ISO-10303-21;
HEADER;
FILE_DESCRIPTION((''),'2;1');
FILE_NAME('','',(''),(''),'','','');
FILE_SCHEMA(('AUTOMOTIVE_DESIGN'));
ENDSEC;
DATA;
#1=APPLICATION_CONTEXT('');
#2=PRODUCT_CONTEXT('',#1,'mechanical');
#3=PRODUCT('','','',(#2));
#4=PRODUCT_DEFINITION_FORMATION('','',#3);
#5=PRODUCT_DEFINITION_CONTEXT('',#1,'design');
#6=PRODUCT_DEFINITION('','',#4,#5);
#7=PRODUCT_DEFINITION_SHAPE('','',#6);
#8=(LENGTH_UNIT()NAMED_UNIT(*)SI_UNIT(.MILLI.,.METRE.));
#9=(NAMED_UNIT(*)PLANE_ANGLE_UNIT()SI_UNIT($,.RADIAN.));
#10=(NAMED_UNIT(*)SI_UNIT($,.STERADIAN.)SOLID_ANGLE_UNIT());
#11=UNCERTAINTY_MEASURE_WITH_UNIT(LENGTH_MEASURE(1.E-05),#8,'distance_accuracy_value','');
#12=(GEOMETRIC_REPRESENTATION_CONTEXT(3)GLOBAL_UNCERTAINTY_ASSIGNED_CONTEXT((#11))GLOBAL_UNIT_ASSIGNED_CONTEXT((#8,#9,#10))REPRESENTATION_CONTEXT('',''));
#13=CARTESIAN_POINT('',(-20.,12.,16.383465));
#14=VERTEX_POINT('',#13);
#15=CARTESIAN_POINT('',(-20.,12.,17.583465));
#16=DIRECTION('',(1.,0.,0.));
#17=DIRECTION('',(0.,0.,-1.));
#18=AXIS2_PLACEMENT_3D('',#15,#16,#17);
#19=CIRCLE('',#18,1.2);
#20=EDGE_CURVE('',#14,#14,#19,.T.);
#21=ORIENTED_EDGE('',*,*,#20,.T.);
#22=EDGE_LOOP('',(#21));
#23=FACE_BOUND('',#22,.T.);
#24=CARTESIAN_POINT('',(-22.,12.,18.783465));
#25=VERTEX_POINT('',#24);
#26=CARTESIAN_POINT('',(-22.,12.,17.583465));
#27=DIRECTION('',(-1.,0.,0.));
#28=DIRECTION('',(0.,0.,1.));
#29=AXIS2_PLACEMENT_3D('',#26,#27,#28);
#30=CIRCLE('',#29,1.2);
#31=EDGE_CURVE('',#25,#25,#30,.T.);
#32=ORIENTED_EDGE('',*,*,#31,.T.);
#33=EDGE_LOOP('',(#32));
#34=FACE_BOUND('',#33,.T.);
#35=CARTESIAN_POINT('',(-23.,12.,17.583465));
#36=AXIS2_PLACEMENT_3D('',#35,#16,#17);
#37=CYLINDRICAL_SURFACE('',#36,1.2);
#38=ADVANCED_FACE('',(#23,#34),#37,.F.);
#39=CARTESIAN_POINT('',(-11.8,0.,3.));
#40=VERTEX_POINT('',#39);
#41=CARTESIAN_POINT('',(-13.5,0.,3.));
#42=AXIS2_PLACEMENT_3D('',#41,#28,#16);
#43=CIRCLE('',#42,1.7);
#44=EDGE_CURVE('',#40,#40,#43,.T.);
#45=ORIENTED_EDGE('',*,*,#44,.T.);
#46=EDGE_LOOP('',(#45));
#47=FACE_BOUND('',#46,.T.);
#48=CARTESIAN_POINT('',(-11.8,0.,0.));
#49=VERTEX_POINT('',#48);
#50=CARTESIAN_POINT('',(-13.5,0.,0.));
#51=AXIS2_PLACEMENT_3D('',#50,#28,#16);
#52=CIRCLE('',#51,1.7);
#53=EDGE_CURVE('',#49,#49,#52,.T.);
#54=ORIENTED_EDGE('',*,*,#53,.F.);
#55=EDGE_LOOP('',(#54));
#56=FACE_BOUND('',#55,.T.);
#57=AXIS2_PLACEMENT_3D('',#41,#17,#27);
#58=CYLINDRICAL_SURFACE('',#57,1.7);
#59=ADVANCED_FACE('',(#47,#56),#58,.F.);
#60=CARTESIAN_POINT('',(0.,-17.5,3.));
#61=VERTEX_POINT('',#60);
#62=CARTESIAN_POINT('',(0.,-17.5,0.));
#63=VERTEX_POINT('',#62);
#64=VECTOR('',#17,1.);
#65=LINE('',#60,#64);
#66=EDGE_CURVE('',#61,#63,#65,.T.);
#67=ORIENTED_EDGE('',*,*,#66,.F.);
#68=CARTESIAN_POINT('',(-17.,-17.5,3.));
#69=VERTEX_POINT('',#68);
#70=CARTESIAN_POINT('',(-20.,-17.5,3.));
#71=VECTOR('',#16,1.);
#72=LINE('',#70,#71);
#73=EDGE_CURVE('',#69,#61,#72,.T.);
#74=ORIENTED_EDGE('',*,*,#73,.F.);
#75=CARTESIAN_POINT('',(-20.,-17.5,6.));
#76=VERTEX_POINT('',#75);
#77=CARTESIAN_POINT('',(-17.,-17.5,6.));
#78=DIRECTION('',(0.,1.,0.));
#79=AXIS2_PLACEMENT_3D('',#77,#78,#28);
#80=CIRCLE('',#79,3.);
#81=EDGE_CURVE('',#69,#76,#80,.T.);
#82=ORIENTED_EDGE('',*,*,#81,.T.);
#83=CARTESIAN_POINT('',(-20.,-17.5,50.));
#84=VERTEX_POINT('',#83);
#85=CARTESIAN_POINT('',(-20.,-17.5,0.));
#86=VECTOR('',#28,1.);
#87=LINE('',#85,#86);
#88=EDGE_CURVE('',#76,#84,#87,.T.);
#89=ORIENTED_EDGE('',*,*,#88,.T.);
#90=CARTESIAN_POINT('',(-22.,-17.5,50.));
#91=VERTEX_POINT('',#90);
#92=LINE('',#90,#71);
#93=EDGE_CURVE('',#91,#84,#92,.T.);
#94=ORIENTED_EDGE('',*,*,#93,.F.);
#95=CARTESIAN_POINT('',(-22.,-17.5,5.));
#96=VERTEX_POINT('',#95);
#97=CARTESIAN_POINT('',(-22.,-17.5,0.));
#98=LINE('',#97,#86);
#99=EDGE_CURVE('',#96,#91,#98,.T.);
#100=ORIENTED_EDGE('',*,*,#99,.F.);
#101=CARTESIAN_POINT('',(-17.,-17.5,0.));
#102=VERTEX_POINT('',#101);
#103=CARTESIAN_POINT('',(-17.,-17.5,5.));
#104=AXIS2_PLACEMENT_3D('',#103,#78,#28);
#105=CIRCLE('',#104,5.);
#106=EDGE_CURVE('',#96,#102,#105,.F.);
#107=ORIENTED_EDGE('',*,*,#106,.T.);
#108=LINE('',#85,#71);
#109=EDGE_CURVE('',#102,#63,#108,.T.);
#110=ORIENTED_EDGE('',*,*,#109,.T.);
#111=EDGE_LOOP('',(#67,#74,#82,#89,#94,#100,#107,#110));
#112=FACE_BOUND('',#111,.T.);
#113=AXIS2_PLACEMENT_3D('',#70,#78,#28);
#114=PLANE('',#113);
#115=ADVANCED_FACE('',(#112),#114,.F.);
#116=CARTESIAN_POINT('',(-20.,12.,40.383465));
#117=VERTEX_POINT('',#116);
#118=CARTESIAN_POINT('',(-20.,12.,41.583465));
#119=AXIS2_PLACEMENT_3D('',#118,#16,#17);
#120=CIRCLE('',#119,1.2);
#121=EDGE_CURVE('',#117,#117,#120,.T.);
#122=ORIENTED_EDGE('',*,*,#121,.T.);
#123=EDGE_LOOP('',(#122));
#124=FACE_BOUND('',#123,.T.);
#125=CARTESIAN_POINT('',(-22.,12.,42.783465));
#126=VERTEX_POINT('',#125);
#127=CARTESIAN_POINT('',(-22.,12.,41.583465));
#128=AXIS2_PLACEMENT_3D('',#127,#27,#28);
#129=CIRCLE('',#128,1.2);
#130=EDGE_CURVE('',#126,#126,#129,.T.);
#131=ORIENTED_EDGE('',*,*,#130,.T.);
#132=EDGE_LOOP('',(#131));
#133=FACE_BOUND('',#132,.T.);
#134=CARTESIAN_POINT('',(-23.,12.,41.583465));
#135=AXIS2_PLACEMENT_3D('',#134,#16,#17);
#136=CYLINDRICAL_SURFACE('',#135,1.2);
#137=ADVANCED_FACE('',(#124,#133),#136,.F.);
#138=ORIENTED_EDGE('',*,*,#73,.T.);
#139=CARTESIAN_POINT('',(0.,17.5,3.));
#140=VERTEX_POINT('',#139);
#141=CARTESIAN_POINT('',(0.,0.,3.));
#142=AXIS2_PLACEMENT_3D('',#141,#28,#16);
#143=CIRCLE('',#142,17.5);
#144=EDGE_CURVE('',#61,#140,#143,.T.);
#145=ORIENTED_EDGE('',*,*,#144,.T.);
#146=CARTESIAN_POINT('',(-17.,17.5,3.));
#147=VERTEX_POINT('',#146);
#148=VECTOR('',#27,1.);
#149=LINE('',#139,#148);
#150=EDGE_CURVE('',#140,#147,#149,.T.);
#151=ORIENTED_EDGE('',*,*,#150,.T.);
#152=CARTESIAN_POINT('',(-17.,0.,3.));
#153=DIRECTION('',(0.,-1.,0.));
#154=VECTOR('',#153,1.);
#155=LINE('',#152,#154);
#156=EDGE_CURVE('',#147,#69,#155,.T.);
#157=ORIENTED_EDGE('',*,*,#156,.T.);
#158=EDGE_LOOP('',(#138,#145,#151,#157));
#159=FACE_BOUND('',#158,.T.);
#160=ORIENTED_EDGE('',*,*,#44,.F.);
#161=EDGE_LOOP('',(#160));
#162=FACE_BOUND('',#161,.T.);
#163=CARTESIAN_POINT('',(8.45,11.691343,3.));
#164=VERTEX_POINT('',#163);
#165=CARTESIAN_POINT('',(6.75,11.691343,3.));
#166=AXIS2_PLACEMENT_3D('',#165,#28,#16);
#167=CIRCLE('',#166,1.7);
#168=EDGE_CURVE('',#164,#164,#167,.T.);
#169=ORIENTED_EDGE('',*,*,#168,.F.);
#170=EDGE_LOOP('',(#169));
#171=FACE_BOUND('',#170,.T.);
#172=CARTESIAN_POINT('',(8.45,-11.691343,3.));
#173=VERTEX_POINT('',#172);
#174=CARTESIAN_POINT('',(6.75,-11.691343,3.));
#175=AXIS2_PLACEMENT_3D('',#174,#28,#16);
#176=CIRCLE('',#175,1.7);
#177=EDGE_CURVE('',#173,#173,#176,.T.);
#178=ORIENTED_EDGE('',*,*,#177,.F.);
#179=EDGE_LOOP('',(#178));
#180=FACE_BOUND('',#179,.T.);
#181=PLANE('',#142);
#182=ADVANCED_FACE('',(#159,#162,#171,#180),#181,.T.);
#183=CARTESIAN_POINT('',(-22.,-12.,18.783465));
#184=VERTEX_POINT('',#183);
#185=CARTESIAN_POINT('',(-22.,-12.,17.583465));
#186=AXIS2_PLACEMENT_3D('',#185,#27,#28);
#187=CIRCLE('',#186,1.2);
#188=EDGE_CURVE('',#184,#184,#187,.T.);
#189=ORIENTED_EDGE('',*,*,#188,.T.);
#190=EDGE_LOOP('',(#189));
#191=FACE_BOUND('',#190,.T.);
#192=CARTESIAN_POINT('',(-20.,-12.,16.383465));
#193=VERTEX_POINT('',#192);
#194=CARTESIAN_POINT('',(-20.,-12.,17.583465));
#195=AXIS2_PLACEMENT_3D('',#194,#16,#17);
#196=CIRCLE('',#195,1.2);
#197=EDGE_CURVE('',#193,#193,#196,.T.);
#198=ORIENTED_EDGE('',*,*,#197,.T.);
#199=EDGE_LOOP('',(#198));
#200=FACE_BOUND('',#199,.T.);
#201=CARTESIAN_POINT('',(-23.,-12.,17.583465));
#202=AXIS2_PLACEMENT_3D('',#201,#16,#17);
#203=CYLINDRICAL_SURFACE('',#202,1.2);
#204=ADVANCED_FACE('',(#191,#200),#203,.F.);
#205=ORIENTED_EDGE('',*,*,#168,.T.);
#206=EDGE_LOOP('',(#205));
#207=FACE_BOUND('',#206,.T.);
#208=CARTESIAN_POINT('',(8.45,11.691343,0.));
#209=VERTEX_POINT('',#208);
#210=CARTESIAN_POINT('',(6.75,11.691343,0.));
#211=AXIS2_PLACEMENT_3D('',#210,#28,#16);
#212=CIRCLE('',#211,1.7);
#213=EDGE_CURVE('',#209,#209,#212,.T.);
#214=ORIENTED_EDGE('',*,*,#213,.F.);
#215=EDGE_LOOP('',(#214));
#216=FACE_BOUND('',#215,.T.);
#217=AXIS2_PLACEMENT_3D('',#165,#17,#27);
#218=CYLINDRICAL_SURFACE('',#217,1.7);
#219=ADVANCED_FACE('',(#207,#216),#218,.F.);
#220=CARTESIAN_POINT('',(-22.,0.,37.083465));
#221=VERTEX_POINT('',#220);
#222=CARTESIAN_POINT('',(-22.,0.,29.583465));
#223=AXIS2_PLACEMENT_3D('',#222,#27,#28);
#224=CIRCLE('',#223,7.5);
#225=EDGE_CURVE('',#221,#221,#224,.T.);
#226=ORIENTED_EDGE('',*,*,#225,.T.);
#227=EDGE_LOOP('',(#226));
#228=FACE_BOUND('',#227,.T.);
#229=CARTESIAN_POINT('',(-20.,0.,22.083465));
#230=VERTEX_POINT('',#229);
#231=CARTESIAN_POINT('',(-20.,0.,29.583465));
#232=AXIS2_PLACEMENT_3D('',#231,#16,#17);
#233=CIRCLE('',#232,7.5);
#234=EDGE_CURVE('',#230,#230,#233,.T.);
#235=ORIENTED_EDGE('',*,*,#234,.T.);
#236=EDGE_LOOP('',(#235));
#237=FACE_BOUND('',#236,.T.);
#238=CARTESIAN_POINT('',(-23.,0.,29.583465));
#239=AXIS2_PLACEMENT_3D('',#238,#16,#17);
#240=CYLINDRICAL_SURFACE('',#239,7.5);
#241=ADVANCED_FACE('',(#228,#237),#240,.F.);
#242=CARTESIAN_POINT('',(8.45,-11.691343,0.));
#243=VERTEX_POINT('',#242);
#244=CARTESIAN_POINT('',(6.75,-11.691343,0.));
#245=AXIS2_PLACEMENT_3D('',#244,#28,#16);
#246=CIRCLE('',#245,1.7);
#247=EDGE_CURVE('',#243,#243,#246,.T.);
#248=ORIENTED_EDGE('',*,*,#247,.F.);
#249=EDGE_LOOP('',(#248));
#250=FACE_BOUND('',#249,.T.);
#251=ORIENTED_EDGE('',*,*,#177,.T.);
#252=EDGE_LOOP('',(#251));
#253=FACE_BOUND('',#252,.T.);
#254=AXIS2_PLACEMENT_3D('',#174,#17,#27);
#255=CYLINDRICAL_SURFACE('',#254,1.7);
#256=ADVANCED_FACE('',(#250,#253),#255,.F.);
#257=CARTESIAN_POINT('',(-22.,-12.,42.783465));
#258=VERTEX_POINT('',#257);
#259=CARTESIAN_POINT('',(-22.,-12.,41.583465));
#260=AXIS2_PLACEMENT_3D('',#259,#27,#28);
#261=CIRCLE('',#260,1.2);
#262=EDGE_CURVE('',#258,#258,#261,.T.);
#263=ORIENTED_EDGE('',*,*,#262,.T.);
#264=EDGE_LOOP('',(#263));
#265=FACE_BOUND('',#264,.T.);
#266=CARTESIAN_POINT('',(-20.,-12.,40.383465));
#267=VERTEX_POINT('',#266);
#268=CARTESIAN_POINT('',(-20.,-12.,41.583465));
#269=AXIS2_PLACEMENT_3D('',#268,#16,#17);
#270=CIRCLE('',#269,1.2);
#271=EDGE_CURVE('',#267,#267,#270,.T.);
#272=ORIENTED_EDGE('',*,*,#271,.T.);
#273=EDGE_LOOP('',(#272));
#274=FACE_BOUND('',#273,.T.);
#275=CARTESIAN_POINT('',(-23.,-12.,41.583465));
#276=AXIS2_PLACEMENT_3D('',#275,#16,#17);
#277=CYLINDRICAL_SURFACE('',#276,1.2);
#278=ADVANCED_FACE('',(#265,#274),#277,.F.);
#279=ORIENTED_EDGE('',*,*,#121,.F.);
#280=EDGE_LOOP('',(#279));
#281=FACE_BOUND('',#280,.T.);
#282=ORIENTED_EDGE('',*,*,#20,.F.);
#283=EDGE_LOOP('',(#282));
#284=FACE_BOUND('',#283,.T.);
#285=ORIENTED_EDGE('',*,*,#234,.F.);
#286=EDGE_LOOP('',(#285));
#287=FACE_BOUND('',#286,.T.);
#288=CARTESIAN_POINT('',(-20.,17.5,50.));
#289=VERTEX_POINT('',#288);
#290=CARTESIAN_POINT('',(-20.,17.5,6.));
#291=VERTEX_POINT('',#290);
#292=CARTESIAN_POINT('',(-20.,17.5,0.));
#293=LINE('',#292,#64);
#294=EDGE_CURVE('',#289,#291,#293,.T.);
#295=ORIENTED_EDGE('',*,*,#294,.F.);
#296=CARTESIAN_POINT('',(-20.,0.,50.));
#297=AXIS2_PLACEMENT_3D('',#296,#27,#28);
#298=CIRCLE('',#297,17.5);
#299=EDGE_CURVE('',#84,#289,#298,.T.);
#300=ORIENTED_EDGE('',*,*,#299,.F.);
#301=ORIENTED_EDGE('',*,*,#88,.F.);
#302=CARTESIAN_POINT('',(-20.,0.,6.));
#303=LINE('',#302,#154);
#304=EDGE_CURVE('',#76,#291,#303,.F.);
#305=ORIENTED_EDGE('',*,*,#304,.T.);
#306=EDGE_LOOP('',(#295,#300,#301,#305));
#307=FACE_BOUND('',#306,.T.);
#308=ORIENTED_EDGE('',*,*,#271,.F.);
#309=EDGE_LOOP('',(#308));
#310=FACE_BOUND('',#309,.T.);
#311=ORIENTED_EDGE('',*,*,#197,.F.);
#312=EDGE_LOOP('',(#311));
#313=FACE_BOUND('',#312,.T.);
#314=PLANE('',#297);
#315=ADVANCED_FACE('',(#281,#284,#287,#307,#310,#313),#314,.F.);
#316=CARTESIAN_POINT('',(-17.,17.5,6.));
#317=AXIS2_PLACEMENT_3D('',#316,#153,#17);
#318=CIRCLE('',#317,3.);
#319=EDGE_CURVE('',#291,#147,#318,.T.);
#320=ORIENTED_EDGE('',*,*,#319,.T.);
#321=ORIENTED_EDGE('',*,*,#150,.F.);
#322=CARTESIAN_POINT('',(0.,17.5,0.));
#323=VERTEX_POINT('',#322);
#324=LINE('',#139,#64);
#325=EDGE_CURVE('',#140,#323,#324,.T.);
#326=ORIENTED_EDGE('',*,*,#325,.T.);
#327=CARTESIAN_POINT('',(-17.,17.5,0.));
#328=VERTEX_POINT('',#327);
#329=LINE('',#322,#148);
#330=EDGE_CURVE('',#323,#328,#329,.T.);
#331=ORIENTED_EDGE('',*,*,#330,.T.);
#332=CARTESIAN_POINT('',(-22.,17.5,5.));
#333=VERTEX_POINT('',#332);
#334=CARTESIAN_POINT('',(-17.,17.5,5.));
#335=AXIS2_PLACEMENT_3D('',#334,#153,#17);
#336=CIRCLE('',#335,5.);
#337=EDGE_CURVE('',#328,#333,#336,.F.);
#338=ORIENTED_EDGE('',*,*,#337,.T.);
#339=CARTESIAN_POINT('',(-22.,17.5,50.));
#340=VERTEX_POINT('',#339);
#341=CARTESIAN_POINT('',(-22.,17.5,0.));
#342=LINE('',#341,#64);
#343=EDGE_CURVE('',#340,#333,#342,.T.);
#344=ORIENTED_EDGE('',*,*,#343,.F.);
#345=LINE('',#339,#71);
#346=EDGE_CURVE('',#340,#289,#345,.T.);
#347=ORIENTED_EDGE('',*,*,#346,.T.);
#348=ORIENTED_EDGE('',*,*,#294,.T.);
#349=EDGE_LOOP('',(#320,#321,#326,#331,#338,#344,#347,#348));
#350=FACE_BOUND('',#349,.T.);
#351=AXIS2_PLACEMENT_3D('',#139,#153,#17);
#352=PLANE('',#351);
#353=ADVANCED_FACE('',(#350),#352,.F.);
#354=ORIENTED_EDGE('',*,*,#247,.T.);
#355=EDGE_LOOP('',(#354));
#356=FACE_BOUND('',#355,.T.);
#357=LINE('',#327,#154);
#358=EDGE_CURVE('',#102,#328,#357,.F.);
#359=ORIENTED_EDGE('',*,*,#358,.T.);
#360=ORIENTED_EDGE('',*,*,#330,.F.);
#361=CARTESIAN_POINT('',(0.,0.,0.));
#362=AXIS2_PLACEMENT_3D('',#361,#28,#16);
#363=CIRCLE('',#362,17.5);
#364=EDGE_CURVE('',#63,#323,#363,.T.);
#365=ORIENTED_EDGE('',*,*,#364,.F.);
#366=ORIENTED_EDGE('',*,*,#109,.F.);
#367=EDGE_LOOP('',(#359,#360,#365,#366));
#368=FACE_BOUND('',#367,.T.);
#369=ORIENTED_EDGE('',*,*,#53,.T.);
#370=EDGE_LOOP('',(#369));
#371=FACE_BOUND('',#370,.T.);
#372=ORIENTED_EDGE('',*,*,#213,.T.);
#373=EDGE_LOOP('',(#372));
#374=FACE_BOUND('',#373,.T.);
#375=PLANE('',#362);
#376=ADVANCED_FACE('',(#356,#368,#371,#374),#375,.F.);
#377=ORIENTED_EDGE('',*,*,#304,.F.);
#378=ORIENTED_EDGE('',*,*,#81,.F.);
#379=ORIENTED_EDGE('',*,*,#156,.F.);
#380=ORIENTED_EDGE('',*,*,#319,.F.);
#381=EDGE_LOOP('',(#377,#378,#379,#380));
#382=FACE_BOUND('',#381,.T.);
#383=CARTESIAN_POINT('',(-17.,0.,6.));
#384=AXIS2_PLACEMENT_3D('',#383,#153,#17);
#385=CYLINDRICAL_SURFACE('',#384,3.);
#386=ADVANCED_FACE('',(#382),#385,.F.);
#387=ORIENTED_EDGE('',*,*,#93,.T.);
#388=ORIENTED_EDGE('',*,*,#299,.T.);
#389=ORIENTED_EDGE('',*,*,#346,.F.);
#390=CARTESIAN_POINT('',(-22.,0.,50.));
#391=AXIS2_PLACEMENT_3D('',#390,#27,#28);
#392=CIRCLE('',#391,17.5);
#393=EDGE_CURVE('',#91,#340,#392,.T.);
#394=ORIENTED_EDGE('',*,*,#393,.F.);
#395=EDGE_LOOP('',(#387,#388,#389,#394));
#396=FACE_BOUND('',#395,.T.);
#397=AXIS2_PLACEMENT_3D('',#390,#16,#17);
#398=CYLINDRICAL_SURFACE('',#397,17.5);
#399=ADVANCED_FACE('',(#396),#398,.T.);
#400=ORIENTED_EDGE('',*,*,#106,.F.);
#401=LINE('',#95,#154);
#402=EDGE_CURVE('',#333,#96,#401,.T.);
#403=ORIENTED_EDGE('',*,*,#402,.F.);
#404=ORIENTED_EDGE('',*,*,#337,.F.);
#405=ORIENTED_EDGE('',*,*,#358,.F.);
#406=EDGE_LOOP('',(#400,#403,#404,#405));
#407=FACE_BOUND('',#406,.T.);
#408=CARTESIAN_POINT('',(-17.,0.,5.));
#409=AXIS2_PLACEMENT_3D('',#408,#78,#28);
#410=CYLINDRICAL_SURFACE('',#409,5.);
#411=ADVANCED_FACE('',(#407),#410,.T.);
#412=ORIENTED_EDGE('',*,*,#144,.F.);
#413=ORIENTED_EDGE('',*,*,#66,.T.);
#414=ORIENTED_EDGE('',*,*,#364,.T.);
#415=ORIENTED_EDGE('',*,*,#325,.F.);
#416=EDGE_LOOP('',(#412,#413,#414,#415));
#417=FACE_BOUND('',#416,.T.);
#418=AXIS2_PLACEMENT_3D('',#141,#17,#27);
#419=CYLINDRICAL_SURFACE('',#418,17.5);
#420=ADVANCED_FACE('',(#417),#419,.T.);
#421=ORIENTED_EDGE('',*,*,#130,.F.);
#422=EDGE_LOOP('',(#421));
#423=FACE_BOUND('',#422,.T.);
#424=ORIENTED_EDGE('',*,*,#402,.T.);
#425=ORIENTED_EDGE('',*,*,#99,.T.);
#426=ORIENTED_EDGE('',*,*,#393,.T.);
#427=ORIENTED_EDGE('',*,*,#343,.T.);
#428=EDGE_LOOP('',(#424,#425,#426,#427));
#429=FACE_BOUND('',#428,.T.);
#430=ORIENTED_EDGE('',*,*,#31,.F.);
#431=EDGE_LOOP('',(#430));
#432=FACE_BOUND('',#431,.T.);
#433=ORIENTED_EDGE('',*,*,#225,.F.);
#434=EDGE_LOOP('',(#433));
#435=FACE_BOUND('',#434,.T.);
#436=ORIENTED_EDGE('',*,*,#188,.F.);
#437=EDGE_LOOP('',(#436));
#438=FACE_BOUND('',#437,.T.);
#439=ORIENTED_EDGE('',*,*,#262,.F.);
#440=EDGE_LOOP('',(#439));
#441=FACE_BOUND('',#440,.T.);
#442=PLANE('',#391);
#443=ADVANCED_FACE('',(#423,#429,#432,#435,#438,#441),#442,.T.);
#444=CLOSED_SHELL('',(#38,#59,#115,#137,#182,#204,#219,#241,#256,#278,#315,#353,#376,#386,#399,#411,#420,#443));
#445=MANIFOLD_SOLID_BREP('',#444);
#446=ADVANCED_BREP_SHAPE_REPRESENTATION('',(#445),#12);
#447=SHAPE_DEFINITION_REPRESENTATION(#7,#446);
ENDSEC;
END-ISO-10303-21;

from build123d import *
from OCP.BRepFilletAPI import BRepFilletAPI_MakeFillet

# Parameters (mm, degrees)
SKETCH_1_R          = 1.7
EXTRUDE_1_DEPTH     = 3
EXTRUDE_2_DEPTH     = 2
FILLET_1_R1         = 3
FILLET_1_R2         = 5
SKETCH_3_R          = 1.2
SKETCH_3_R_2        = 7.5
CUT_EXTRUDE_1_DEPTH = 3


with BuildPart() as part:
    # 草图1 → 凸台-拉伸1 (new body)
    with BuildSketch(Plane.XY):
        with BuildLine():
            Line((0, 17.5), (-20, 17.5))
            Line((-20, 17.5), (-20, -17.5))
            Line((-20, -17.5), (0, -17.5))
            ThreePointArc((0, -17.5), (17.5, 0), (0, 17.5))
        make_face()
        with Locations((-13.5, 0)):
            Circle(SKETCH_1_R, mode=Mode.SUBTRACT)
        with Locations((6.75, 11.691342951)):
            Circle(SKETCH_1_R, mode=Mode.SUBTRACT)
        with Locations((6.75, -11.691342951)):
            Circle(SKETCH_1_R, mode=Mode.SUBTRACT)
    extrude(amount=EXTRUDE_1_DEPTH)

    # 草图2 → 凸台-拉伸2 (add)
    with BuildSketch(Plane.ZY.offset(20)):
        with BuildLine():
            Line((0, -17.5), (50, -17.5))
            ThreePointArc((50, -17.5), (67.5, 0), (50, 17.5))
            Line((50, 17.5), (0, 17.5))
            Line((0, 17.5), (0, -17.5))
        make_face()
    extrude(amount=EXTRUDE_2_DEPTH)

    # 圆角1: one fillet with a radius per group of edges: ONE call of the kernel's fillet builder (fillet() takes one radius for all edges)
    fillet_1_edges_1 = [part.edges().sort_by_distance(p)[0] for p in [
        (-20, 0, 3),
    ]]
    fillet_1_edges_2 = [part.edges().sort_by_distance(p)[0] for p in [
        (-22, 0, 0),
    ]]
    fillet_1 = BRepFilletAPI_MakeFillet(part.part.solid().wrapped)
    for e in fillet_1_edges_1:
        fillet_1.Add(FILLET_1_R1, e.wrapped)
    for e in fillet_1_edges_2:
        fillet_1.Add(FILLET_1_R2, e.wrapped)
    add(Compound.cast(fillet_1.Shape()), mode=Mode.REPLACE)

    # 草图3 → 切除-拉伸1 (cut)
    with BuildSketch(Plane(origin=(-20, 0, 0), x_dir=(0, 0, -1), z_dir=(1, 0, 0))):
        with Locations((-41.583465403, -12)):
            Circle(SKETCH_3_R)
        with Locations((-17.583465403, -12)):
            Circle(SKETCH_3_R)
        with Locations((-17.583465403, 12)):
            Circle(SKETCH_3_R)
        with Locations((-41.583465403, 12)):
            Circle(SKETCH_3_R)
        with Locations((-29.583465403, 0)):
            Circle(SKETCH_3_R_2)
    extrude(amount=-CUT_EXTRUDE_1_DEPTH, mode=Mode.SUBTRACT)


solid = part.part
